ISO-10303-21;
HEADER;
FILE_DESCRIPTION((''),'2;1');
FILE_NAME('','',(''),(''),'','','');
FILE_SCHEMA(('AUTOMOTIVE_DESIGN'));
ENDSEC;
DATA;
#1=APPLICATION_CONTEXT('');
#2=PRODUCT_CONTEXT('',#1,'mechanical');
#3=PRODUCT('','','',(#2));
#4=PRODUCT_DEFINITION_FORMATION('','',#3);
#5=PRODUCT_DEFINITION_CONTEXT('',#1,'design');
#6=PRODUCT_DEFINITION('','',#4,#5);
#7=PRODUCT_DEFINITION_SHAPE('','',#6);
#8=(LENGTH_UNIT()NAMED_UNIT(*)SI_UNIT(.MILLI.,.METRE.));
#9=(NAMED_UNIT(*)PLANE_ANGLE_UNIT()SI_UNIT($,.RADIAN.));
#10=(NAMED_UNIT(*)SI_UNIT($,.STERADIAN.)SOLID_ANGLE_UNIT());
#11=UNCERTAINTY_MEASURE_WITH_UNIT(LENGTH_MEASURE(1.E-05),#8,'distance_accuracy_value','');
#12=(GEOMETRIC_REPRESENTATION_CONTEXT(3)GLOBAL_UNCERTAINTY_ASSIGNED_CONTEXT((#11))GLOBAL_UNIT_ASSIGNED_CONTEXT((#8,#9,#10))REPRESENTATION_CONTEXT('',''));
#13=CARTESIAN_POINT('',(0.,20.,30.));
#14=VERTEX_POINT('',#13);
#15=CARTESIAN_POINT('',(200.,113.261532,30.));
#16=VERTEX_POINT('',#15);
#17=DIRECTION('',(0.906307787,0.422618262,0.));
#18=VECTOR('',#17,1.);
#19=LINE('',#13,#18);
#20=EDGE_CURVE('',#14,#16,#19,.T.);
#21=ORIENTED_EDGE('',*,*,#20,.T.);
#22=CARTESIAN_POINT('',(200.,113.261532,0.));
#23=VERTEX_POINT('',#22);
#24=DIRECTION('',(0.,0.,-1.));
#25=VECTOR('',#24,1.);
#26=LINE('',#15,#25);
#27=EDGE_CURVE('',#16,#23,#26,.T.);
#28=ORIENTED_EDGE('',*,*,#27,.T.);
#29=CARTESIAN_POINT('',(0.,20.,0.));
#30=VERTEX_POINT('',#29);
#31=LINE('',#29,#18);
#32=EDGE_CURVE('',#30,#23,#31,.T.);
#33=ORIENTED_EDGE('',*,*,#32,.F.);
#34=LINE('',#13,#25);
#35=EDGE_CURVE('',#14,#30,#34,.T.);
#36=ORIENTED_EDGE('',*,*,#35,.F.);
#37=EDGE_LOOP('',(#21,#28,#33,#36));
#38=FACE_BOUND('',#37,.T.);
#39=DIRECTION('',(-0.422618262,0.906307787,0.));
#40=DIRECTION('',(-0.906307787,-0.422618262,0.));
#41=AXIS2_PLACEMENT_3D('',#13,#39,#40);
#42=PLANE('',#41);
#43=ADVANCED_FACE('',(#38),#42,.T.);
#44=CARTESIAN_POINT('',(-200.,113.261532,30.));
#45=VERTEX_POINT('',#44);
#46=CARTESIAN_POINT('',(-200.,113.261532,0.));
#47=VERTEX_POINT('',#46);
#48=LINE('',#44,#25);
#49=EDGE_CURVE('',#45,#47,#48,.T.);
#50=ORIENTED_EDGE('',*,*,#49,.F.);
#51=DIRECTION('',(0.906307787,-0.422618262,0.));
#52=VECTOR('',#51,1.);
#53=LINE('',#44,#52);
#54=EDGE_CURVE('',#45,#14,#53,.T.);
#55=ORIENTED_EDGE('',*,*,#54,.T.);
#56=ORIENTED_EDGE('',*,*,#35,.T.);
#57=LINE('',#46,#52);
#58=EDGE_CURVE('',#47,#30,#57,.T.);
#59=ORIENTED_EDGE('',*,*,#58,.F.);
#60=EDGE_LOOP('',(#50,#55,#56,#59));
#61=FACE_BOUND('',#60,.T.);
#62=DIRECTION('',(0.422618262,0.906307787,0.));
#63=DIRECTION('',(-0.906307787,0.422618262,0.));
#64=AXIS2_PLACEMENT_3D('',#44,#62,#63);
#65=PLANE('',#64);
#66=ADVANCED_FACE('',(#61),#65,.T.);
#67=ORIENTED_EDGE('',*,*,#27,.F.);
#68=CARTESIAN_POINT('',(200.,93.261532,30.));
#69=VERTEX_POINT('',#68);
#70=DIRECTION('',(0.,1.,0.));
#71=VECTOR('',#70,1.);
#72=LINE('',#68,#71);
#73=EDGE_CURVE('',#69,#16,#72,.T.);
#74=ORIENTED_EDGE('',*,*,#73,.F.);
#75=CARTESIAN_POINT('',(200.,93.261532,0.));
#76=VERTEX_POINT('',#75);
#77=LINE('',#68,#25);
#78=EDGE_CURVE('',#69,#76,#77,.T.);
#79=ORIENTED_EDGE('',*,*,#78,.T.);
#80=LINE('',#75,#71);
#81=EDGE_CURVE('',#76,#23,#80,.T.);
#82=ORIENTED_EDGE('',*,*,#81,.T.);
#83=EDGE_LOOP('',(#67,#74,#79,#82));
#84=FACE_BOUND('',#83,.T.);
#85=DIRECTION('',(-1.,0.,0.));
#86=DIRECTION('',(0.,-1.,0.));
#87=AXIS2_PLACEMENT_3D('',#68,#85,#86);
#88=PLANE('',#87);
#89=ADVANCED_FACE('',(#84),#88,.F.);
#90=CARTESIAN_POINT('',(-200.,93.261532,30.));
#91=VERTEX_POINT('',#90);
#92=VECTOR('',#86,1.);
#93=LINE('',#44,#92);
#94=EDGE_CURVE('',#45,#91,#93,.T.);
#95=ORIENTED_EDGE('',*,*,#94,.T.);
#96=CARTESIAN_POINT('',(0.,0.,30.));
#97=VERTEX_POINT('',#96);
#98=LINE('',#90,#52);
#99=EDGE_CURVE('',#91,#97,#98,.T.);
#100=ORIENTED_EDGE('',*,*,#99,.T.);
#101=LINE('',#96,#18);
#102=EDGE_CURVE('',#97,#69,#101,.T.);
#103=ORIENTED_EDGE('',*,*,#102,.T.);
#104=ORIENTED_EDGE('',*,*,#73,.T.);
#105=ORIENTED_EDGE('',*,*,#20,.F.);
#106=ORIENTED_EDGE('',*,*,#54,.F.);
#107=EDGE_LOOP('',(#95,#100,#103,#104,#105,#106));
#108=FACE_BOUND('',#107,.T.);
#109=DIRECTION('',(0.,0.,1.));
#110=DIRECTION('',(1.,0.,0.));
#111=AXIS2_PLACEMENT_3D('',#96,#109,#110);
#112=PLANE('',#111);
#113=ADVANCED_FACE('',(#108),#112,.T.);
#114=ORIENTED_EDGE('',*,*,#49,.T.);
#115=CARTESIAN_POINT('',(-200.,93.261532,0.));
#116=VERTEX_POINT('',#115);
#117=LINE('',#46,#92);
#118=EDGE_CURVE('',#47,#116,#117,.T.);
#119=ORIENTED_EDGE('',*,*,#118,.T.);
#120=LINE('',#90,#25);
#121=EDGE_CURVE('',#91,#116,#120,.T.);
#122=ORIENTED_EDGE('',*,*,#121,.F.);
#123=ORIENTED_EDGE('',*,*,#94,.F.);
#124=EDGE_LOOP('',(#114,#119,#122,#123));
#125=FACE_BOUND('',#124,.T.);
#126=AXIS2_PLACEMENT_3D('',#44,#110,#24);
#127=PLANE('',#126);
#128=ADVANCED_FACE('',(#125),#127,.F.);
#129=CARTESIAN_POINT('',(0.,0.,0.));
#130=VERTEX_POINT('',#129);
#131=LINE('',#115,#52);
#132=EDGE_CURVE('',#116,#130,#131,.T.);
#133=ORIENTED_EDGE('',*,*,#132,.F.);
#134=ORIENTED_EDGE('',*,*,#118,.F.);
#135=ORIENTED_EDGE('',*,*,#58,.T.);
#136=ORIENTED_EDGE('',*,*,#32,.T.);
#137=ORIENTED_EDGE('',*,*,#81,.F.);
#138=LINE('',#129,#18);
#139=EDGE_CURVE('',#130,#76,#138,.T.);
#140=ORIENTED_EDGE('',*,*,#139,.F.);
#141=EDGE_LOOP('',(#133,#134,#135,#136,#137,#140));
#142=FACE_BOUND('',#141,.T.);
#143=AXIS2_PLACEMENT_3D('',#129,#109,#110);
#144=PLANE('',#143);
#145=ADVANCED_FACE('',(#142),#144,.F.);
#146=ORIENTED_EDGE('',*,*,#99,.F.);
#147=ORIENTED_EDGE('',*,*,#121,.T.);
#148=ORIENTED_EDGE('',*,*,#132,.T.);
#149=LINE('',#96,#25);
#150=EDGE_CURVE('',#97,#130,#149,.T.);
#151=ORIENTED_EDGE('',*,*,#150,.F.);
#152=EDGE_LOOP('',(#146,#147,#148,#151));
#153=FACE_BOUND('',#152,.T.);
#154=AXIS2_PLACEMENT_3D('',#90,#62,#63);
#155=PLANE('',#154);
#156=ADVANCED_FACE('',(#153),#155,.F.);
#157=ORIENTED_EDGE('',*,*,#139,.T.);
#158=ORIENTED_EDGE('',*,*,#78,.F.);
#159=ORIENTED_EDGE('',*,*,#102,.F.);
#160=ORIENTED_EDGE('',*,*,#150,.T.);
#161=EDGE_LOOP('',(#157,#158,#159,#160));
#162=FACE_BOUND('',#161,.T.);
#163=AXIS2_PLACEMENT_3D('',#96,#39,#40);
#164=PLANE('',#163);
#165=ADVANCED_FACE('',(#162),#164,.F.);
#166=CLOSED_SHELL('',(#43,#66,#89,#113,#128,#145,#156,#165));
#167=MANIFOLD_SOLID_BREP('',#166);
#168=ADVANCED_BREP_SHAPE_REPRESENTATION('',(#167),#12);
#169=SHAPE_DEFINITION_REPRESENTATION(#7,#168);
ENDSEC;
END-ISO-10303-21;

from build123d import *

# Parameters (mm, degrees)
BOSS_EXTRU_1_DEPTH = 30


with BuildPart() as part:
    # Esquisse1 → Boss.-Extru.1 (new body)
    with BuildSketch(Plane.XY):
        Polygon((-200, 113.261531631), (0, 20), (200, 113.261531631), (200, 93.261531631), (0, 0), (-200, 93.261531631), align=None)
    extrude(amount=BOSS_EXTRU_1_DEPTH)


solid = part.part
